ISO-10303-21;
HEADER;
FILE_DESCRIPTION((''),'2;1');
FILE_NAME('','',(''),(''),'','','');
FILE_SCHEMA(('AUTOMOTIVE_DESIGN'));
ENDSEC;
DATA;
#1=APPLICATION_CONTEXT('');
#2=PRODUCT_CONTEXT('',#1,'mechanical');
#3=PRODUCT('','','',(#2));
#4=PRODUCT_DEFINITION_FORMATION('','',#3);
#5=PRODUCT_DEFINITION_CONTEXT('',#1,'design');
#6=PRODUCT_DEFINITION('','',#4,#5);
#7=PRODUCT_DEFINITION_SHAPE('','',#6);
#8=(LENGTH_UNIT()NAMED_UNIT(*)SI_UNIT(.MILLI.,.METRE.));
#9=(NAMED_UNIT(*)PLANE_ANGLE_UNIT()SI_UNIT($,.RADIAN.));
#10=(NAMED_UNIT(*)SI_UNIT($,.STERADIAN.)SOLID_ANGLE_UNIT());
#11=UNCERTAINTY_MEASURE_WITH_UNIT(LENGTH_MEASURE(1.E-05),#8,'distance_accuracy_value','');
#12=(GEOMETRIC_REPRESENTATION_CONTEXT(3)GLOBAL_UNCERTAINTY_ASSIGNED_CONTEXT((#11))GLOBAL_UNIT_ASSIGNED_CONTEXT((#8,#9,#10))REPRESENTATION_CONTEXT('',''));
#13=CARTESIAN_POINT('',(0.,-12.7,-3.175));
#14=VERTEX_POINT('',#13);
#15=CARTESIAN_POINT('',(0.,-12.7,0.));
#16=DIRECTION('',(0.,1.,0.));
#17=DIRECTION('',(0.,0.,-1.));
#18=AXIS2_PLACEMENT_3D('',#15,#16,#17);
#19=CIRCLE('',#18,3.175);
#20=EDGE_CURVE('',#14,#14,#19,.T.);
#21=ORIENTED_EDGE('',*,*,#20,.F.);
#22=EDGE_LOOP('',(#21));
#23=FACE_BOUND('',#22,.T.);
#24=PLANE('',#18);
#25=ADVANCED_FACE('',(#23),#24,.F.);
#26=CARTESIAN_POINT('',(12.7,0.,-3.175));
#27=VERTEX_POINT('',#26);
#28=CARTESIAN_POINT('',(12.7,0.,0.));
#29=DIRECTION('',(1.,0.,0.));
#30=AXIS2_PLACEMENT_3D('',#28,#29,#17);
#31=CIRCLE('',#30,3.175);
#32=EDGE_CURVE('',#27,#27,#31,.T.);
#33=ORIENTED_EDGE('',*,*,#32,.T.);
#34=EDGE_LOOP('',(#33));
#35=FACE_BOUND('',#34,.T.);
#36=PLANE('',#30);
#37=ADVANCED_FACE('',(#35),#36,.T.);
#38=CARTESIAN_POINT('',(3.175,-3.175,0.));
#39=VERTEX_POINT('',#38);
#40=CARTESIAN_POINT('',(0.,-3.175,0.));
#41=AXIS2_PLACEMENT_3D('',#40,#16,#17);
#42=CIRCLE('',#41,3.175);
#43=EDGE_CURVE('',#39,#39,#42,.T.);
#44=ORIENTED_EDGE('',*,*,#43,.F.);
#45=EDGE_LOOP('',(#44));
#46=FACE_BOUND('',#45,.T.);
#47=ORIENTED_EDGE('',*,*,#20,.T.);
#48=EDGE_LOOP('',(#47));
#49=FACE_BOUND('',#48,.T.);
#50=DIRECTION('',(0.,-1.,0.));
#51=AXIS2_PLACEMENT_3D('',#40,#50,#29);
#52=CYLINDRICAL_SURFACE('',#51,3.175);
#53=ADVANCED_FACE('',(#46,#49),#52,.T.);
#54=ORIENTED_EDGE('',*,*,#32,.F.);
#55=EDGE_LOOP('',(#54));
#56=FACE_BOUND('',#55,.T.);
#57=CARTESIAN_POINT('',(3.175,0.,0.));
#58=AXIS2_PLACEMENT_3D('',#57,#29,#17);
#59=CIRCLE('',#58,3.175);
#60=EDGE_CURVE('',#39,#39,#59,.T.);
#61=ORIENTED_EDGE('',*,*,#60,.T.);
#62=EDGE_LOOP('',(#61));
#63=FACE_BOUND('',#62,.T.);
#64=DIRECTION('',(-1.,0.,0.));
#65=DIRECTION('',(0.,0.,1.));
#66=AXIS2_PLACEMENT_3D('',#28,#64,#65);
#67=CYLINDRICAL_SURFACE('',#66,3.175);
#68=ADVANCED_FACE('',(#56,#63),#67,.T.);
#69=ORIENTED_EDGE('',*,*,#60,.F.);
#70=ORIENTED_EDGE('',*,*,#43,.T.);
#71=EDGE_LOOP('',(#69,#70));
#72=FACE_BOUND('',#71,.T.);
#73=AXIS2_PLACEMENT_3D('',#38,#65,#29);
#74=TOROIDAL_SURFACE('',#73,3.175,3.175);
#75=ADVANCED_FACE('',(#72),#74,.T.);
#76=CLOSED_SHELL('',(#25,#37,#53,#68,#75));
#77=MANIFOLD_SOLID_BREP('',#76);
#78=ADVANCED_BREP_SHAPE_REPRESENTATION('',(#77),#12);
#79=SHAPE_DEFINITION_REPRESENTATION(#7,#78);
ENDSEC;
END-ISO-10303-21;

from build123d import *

# Parameters (mm, degrees)
SKETCH2_R = 3.175


with BuildPart() as part:
    # Sweep1: sweep along a path in Sketch1
    with BuildLine(Plane.XY) as sweep1_path:
        Line((12.7, 0), (3.175, 0))
        ThreePointArc((3.175, 0), (0.92993597, -0.92993597), (0, -3.175))
        Line((0, -3.175), (0, -12.7))
    # Sketch2 → Sweep1 (sweep)
    with BuildSketch(Plane(origin=(12.7, 0, 0), x_dir=(0, 0, -1), z_dir=(1, 0, 0))):
        Circle(SKETCH2_R)
    sweep(path=sweep1_path.line)


solid = part.part
